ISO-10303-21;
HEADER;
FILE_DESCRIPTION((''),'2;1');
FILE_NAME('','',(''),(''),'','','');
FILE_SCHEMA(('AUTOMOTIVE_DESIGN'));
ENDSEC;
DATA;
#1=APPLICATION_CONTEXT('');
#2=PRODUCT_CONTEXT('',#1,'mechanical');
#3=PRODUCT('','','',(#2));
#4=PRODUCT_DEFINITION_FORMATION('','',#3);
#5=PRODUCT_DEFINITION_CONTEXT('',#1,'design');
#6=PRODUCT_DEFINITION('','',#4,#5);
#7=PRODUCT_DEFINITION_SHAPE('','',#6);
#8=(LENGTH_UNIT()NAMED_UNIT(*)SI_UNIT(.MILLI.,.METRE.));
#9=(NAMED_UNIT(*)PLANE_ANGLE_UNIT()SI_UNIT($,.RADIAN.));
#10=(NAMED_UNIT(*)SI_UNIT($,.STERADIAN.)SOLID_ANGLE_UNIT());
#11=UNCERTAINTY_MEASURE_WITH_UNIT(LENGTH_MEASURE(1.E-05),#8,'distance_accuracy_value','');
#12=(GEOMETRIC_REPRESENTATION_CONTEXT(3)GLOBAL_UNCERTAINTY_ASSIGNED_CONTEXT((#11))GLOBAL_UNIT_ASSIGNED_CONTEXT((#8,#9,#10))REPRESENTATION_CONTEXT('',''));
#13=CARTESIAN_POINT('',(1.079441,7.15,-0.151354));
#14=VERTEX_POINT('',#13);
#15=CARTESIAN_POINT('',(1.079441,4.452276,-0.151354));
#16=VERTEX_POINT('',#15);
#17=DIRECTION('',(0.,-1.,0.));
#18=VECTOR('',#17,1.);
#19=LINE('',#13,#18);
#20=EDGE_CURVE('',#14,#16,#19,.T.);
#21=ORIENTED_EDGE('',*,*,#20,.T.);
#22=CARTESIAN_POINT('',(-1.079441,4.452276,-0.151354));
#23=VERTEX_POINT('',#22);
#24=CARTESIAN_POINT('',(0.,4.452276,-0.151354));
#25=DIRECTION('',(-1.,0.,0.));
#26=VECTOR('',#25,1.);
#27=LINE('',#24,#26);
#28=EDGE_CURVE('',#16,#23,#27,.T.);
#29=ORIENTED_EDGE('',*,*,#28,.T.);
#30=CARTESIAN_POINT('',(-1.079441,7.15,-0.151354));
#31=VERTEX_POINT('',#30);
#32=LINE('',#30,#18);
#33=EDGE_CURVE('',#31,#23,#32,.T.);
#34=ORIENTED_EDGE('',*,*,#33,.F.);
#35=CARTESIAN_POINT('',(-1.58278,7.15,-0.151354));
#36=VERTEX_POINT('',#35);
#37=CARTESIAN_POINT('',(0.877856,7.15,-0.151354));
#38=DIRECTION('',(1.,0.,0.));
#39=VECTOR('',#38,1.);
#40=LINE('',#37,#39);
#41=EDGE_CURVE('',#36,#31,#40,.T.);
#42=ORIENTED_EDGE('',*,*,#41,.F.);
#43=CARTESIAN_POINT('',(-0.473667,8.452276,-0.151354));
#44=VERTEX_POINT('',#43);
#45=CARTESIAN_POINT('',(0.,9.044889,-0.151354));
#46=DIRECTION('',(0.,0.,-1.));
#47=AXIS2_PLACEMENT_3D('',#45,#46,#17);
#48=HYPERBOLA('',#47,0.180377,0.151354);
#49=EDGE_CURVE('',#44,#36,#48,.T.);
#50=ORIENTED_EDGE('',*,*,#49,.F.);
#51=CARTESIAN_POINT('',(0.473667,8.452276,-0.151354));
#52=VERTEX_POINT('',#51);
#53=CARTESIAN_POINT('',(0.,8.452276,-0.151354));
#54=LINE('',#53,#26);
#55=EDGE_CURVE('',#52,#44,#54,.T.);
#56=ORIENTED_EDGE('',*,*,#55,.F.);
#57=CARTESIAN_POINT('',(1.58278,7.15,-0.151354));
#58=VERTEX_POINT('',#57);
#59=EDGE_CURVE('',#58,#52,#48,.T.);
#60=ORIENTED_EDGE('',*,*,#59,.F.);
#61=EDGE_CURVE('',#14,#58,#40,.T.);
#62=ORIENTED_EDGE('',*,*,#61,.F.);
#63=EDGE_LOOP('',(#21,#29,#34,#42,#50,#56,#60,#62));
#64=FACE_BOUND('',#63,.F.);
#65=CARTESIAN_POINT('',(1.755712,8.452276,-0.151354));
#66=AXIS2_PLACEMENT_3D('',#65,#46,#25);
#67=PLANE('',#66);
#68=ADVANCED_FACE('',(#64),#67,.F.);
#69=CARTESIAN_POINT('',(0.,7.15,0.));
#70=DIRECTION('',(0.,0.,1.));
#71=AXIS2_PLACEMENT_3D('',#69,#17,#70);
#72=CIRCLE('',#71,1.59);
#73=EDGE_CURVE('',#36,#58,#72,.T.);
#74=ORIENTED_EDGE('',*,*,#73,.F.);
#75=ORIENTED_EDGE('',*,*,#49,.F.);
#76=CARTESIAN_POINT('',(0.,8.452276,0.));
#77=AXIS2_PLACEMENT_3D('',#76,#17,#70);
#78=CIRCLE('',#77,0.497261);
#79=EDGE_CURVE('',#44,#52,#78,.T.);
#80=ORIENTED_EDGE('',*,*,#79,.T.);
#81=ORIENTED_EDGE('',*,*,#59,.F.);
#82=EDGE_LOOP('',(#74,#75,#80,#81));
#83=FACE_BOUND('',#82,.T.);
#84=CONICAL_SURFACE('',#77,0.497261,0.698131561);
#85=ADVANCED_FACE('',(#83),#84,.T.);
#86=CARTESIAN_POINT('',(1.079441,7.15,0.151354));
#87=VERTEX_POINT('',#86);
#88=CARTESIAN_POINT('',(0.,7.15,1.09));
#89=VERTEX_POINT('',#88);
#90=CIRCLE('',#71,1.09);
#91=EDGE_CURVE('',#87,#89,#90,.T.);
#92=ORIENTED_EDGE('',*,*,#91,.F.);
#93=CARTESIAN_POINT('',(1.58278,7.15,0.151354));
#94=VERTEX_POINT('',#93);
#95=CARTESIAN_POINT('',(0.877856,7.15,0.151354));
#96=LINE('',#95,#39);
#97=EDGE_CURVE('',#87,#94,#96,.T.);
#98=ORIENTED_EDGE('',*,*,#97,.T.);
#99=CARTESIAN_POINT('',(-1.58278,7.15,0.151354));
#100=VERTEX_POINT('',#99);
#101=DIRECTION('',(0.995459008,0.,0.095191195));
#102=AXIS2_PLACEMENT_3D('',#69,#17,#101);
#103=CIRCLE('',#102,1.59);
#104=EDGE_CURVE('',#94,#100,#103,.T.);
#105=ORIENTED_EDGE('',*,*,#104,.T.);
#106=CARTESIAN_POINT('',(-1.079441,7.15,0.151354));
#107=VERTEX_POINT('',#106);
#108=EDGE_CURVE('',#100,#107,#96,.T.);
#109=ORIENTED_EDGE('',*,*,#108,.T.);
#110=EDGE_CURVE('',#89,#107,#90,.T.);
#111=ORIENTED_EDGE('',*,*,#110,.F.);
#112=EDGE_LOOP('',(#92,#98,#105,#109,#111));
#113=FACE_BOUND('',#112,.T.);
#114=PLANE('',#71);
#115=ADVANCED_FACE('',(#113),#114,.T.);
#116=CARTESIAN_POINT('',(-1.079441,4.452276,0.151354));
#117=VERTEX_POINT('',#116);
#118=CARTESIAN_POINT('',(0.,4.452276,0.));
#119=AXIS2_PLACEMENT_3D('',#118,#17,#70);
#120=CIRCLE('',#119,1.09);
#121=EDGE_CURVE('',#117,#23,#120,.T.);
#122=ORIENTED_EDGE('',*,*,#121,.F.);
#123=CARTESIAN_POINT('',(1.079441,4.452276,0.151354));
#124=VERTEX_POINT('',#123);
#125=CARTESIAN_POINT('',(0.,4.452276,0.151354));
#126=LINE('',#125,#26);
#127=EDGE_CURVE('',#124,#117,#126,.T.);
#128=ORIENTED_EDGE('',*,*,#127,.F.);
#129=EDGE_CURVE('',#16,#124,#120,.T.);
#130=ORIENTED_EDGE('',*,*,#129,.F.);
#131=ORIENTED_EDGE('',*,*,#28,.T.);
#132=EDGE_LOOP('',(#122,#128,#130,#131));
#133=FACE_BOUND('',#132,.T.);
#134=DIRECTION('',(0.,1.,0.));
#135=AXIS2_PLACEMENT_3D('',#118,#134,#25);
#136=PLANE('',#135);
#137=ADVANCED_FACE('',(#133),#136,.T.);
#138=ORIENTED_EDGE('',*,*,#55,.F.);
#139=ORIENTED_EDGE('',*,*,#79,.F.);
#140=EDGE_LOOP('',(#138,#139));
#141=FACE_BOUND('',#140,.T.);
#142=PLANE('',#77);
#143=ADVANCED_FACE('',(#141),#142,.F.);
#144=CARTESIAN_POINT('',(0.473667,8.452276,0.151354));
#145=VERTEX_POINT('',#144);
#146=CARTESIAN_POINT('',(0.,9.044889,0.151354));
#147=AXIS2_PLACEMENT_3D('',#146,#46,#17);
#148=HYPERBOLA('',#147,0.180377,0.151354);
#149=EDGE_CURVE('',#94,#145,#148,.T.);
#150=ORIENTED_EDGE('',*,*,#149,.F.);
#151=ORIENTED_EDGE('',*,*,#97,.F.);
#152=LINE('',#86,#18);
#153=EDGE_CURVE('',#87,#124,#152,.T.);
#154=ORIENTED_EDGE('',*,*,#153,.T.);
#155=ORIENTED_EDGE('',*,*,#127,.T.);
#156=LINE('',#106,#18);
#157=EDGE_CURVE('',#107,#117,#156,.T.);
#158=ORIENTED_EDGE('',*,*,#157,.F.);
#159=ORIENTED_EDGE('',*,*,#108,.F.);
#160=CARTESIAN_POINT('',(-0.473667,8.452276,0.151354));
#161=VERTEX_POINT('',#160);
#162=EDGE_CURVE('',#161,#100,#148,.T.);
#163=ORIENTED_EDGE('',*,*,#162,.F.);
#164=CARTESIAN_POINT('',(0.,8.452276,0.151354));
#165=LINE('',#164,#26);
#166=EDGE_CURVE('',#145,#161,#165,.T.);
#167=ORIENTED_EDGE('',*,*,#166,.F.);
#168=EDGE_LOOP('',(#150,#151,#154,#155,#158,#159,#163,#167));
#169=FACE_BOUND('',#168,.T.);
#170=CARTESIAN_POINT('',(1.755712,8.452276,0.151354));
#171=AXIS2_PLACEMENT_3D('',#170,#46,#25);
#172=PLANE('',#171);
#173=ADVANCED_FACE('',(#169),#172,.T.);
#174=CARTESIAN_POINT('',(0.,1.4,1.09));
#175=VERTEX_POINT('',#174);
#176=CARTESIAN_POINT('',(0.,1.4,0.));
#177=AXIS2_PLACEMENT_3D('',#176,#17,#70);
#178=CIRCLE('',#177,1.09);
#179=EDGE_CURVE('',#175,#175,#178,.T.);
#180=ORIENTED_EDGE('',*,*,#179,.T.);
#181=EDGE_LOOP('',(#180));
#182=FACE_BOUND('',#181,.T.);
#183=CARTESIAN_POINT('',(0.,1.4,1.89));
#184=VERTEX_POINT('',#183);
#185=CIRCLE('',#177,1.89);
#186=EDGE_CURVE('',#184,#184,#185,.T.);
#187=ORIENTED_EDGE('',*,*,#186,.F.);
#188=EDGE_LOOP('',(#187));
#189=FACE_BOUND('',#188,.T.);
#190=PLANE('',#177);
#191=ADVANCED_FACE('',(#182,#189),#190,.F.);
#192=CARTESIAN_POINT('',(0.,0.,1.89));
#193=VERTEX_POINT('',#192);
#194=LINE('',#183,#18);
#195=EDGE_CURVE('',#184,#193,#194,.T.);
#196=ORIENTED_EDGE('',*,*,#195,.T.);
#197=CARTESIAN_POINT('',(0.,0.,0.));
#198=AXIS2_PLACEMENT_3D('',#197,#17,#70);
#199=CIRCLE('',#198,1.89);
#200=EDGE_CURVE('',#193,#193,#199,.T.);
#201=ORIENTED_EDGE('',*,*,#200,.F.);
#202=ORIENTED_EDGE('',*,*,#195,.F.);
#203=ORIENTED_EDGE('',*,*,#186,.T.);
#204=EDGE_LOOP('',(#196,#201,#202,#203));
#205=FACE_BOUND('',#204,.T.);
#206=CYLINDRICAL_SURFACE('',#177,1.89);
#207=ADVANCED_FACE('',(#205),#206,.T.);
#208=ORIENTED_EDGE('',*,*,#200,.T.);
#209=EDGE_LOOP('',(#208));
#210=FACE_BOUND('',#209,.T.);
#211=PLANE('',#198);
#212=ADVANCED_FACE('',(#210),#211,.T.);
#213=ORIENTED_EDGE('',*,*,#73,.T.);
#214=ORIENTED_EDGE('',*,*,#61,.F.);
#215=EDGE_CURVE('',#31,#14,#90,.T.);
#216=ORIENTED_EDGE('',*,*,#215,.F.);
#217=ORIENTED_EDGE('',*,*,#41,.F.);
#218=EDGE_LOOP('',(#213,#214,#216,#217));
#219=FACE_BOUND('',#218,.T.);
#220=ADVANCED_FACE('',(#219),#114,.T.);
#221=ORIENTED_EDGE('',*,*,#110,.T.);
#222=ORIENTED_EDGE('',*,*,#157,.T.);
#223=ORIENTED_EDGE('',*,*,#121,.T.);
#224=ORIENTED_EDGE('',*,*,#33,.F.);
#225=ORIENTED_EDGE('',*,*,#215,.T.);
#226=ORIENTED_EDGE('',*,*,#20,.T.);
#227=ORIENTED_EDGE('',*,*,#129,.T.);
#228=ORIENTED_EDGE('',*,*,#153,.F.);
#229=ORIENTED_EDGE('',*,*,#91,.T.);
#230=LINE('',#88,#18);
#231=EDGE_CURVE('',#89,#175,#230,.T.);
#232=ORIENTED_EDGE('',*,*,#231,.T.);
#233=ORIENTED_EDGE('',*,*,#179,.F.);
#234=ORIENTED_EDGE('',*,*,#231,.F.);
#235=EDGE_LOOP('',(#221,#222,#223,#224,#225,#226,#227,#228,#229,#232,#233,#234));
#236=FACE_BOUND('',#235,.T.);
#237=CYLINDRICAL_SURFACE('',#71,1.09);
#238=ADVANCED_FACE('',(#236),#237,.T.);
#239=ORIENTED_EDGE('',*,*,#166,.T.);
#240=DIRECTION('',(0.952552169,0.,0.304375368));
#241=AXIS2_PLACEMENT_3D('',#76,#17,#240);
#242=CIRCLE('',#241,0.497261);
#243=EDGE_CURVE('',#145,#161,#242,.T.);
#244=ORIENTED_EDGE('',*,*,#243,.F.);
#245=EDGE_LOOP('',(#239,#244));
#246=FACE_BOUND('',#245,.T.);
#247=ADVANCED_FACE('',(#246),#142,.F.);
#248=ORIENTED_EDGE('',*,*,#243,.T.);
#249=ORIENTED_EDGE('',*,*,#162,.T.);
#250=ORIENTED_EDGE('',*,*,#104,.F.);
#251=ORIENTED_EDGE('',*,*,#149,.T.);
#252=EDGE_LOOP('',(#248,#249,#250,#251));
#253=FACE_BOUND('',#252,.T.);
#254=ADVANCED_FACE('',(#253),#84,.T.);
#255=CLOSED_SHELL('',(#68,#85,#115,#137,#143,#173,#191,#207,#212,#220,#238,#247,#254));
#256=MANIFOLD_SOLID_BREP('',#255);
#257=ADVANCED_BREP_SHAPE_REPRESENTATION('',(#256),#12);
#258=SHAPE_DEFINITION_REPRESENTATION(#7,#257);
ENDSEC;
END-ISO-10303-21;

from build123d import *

# Parameters (mm, degrees)
F2_W     = 3.511424
F2_H     = 0.302708
F3_DEPTH = 4


with BuildPart() as f1:
    # F0 (on Right) → F1 (revolve)
    with BuildSketch(Plane.YZ):
        Polygon((0, 1.89), (0, 0), (4.690137, 0), (8.452276, 0), (8.452276, 0.497261), (7.15, 1.59), (7.15, 1.09), (1.4, 1.09), (1.4, 1.89), align=None)
    revolve(axis=Axis((0, 6.571206, 0), (0, -1, 0)))

    # F2 (on face) → F3 (cut)
    with BuildSketch(Plane(origin=(0, 8.452276, 0), x_dir=(-1, 0, 0), z_dir=(0, 1, 0))):
        Rectangle(F2_W, F2_H)
    extrude(amount=-F3_DEPTH, mode=Mode.SUBTRACT)


solid = f1.part
